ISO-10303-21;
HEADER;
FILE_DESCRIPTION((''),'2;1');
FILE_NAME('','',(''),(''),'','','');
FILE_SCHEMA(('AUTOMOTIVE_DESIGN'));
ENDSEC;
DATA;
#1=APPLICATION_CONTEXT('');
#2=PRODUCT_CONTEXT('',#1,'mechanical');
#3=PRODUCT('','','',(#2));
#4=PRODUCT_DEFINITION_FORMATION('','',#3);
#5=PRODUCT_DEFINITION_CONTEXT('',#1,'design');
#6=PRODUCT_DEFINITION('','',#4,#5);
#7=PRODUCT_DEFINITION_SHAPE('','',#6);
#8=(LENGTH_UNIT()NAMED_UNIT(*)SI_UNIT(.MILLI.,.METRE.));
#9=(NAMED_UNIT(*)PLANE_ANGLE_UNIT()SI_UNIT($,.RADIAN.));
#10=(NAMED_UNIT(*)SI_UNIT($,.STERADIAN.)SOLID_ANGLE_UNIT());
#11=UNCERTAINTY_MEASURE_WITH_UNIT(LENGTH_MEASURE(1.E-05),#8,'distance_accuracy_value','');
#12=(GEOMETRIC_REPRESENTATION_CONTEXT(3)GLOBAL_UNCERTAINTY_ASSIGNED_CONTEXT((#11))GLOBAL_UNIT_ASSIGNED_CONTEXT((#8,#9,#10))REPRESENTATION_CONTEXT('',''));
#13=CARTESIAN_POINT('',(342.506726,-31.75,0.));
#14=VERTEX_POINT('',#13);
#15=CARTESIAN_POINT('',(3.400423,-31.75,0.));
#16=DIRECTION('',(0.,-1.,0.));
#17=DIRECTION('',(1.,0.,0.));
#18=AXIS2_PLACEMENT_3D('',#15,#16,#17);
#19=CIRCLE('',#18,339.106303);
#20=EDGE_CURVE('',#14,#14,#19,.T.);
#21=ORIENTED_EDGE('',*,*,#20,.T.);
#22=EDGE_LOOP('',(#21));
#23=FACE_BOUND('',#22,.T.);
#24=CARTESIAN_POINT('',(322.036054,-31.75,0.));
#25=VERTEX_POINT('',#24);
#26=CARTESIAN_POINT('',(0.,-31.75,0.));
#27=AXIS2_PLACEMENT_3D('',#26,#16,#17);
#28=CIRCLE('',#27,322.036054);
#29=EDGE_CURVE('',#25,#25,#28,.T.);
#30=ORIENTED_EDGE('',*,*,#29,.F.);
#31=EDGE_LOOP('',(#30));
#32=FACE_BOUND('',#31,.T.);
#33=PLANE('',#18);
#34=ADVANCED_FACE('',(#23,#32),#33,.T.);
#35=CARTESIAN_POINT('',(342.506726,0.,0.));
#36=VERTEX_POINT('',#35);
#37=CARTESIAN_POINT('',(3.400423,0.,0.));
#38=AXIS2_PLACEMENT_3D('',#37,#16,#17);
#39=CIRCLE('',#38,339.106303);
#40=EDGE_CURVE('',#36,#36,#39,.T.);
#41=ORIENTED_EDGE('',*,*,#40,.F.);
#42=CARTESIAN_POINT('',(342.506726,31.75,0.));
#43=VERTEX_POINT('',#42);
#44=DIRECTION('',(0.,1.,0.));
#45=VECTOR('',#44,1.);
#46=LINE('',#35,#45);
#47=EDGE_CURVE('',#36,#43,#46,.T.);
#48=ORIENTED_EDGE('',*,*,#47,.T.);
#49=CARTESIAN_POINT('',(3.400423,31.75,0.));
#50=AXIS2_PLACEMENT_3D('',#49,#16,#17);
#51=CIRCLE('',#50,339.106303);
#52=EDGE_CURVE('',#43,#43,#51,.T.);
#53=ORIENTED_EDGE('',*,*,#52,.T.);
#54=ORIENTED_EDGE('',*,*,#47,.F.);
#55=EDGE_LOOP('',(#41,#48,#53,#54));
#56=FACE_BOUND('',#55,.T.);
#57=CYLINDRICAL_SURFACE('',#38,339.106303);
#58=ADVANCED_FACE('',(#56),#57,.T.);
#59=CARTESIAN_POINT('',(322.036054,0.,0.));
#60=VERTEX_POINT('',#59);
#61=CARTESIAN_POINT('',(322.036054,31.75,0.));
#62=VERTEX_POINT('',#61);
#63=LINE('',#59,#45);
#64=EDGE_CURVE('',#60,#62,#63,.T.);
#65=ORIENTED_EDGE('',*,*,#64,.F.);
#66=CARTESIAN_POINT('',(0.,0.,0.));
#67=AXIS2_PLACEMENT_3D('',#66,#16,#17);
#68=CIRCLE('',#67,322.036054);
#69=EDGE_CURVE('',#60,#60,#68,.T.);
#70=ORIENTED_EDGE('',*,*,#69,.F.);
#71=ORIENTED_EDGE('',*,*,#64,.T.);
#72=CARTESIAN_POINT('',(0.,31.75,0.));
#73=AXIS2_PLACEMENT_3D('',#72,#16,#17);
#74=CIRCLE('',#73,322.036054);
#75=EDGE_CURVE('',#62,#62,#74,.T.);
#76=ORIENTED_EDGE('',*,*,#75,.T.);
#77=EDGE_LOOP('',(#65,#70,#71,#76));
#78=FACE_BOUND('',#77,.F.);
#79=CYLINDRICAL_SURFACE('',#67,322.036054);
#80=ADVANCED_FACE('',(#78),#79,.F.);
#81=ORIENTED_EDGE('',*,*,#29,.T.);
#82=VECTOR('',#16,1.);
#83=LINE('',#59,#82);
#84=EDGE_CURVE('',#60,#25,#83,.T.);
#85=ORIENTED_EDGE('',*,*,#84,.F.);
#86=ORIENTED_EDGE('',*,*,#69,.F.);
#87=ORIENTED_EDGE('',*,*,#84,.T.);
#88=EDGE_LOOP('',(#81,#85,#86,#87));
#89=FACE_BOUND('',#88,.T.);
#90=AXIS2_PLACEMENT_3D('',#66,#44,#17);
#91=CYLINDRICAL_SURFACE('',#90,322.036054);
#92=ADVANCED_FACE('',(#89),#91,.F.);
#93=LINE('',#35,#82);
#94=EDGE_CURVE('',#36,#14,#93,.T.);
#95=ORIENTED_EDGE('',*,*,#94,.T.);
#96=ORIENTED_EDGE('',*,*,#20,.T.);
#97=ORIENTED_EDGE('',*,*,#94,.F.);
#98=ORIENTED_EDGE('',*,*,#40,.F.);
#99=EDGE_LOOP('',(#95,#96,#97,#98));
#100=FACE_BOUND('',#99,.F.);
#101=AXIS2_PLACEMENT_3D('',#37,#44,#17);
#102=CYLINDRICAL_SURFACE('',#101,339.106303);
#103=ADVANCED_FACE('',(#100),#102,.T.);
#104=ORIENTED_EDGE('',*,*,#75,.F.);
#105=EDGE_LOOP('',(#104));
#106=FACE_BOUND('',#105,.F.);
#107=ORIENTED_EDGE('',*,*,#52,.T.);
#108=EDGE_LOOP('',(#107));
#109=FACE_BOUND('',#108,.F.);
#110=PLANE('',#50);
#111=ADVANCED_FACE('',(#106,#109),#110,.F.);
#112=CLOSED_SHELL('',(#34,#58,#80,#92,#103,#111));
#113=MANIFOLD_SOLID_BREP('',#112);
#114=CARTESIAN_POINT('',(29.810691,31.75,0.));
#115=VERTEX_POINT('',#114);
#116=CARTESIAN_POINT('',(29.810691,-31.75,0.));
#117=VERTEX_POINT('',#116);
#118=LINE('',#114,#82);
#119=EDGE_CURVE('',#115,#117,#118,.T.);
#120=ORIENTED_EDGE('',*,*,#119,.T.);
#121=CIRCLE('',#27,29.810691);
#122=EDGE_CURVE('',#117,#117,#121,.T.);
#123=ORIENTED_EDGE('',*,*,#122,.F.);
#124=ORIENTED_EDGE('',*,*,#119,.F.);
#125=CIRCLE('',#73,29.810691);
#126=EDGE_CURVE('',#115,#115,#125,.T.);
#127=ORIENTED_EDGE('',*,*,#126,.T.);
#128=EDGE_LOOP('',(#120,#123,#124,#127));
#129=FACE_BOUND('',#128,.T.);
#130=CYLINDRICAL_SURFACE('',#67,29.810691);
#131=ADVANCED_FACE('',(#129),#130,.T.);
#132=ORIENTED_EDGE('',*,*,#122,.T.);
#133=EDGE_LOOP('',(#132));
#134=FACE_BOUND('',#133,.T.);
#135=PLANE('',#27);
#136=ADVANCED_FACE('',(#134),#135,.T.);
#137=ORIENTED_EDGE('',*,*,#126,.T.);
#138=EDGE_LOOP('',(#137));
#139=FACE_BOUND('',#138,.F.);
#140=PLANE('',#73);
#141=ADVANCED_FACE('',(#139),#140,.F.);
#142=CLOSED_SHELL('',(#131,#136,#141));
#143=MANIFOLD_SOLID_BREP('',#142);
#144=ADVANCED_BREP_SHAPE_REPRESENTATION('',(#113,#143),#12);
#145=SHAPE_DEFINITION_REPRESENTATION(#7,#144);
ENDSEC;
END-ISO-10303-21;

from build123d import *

# Parameters (mm, degrees)
F0_R     = 339.106303
F0_R_2   = 322.036054
F0_R_3   = 29.810691
F1_DEPTH = 31.75


with BuildPart() as f1:
    # F0 (on Front) → F1 (new body, symmetric)
    with BuildSketch(Plane.XZ):
        with Locations((3.400423, 0)):
            Circle(F0_R)
        Circle(F0_R_2, mode=Mode.SUBTRACT)
        Circle(F0_R_3)
    extrude(amount=F1_DEPTH, both=True)


solid = f1.part
